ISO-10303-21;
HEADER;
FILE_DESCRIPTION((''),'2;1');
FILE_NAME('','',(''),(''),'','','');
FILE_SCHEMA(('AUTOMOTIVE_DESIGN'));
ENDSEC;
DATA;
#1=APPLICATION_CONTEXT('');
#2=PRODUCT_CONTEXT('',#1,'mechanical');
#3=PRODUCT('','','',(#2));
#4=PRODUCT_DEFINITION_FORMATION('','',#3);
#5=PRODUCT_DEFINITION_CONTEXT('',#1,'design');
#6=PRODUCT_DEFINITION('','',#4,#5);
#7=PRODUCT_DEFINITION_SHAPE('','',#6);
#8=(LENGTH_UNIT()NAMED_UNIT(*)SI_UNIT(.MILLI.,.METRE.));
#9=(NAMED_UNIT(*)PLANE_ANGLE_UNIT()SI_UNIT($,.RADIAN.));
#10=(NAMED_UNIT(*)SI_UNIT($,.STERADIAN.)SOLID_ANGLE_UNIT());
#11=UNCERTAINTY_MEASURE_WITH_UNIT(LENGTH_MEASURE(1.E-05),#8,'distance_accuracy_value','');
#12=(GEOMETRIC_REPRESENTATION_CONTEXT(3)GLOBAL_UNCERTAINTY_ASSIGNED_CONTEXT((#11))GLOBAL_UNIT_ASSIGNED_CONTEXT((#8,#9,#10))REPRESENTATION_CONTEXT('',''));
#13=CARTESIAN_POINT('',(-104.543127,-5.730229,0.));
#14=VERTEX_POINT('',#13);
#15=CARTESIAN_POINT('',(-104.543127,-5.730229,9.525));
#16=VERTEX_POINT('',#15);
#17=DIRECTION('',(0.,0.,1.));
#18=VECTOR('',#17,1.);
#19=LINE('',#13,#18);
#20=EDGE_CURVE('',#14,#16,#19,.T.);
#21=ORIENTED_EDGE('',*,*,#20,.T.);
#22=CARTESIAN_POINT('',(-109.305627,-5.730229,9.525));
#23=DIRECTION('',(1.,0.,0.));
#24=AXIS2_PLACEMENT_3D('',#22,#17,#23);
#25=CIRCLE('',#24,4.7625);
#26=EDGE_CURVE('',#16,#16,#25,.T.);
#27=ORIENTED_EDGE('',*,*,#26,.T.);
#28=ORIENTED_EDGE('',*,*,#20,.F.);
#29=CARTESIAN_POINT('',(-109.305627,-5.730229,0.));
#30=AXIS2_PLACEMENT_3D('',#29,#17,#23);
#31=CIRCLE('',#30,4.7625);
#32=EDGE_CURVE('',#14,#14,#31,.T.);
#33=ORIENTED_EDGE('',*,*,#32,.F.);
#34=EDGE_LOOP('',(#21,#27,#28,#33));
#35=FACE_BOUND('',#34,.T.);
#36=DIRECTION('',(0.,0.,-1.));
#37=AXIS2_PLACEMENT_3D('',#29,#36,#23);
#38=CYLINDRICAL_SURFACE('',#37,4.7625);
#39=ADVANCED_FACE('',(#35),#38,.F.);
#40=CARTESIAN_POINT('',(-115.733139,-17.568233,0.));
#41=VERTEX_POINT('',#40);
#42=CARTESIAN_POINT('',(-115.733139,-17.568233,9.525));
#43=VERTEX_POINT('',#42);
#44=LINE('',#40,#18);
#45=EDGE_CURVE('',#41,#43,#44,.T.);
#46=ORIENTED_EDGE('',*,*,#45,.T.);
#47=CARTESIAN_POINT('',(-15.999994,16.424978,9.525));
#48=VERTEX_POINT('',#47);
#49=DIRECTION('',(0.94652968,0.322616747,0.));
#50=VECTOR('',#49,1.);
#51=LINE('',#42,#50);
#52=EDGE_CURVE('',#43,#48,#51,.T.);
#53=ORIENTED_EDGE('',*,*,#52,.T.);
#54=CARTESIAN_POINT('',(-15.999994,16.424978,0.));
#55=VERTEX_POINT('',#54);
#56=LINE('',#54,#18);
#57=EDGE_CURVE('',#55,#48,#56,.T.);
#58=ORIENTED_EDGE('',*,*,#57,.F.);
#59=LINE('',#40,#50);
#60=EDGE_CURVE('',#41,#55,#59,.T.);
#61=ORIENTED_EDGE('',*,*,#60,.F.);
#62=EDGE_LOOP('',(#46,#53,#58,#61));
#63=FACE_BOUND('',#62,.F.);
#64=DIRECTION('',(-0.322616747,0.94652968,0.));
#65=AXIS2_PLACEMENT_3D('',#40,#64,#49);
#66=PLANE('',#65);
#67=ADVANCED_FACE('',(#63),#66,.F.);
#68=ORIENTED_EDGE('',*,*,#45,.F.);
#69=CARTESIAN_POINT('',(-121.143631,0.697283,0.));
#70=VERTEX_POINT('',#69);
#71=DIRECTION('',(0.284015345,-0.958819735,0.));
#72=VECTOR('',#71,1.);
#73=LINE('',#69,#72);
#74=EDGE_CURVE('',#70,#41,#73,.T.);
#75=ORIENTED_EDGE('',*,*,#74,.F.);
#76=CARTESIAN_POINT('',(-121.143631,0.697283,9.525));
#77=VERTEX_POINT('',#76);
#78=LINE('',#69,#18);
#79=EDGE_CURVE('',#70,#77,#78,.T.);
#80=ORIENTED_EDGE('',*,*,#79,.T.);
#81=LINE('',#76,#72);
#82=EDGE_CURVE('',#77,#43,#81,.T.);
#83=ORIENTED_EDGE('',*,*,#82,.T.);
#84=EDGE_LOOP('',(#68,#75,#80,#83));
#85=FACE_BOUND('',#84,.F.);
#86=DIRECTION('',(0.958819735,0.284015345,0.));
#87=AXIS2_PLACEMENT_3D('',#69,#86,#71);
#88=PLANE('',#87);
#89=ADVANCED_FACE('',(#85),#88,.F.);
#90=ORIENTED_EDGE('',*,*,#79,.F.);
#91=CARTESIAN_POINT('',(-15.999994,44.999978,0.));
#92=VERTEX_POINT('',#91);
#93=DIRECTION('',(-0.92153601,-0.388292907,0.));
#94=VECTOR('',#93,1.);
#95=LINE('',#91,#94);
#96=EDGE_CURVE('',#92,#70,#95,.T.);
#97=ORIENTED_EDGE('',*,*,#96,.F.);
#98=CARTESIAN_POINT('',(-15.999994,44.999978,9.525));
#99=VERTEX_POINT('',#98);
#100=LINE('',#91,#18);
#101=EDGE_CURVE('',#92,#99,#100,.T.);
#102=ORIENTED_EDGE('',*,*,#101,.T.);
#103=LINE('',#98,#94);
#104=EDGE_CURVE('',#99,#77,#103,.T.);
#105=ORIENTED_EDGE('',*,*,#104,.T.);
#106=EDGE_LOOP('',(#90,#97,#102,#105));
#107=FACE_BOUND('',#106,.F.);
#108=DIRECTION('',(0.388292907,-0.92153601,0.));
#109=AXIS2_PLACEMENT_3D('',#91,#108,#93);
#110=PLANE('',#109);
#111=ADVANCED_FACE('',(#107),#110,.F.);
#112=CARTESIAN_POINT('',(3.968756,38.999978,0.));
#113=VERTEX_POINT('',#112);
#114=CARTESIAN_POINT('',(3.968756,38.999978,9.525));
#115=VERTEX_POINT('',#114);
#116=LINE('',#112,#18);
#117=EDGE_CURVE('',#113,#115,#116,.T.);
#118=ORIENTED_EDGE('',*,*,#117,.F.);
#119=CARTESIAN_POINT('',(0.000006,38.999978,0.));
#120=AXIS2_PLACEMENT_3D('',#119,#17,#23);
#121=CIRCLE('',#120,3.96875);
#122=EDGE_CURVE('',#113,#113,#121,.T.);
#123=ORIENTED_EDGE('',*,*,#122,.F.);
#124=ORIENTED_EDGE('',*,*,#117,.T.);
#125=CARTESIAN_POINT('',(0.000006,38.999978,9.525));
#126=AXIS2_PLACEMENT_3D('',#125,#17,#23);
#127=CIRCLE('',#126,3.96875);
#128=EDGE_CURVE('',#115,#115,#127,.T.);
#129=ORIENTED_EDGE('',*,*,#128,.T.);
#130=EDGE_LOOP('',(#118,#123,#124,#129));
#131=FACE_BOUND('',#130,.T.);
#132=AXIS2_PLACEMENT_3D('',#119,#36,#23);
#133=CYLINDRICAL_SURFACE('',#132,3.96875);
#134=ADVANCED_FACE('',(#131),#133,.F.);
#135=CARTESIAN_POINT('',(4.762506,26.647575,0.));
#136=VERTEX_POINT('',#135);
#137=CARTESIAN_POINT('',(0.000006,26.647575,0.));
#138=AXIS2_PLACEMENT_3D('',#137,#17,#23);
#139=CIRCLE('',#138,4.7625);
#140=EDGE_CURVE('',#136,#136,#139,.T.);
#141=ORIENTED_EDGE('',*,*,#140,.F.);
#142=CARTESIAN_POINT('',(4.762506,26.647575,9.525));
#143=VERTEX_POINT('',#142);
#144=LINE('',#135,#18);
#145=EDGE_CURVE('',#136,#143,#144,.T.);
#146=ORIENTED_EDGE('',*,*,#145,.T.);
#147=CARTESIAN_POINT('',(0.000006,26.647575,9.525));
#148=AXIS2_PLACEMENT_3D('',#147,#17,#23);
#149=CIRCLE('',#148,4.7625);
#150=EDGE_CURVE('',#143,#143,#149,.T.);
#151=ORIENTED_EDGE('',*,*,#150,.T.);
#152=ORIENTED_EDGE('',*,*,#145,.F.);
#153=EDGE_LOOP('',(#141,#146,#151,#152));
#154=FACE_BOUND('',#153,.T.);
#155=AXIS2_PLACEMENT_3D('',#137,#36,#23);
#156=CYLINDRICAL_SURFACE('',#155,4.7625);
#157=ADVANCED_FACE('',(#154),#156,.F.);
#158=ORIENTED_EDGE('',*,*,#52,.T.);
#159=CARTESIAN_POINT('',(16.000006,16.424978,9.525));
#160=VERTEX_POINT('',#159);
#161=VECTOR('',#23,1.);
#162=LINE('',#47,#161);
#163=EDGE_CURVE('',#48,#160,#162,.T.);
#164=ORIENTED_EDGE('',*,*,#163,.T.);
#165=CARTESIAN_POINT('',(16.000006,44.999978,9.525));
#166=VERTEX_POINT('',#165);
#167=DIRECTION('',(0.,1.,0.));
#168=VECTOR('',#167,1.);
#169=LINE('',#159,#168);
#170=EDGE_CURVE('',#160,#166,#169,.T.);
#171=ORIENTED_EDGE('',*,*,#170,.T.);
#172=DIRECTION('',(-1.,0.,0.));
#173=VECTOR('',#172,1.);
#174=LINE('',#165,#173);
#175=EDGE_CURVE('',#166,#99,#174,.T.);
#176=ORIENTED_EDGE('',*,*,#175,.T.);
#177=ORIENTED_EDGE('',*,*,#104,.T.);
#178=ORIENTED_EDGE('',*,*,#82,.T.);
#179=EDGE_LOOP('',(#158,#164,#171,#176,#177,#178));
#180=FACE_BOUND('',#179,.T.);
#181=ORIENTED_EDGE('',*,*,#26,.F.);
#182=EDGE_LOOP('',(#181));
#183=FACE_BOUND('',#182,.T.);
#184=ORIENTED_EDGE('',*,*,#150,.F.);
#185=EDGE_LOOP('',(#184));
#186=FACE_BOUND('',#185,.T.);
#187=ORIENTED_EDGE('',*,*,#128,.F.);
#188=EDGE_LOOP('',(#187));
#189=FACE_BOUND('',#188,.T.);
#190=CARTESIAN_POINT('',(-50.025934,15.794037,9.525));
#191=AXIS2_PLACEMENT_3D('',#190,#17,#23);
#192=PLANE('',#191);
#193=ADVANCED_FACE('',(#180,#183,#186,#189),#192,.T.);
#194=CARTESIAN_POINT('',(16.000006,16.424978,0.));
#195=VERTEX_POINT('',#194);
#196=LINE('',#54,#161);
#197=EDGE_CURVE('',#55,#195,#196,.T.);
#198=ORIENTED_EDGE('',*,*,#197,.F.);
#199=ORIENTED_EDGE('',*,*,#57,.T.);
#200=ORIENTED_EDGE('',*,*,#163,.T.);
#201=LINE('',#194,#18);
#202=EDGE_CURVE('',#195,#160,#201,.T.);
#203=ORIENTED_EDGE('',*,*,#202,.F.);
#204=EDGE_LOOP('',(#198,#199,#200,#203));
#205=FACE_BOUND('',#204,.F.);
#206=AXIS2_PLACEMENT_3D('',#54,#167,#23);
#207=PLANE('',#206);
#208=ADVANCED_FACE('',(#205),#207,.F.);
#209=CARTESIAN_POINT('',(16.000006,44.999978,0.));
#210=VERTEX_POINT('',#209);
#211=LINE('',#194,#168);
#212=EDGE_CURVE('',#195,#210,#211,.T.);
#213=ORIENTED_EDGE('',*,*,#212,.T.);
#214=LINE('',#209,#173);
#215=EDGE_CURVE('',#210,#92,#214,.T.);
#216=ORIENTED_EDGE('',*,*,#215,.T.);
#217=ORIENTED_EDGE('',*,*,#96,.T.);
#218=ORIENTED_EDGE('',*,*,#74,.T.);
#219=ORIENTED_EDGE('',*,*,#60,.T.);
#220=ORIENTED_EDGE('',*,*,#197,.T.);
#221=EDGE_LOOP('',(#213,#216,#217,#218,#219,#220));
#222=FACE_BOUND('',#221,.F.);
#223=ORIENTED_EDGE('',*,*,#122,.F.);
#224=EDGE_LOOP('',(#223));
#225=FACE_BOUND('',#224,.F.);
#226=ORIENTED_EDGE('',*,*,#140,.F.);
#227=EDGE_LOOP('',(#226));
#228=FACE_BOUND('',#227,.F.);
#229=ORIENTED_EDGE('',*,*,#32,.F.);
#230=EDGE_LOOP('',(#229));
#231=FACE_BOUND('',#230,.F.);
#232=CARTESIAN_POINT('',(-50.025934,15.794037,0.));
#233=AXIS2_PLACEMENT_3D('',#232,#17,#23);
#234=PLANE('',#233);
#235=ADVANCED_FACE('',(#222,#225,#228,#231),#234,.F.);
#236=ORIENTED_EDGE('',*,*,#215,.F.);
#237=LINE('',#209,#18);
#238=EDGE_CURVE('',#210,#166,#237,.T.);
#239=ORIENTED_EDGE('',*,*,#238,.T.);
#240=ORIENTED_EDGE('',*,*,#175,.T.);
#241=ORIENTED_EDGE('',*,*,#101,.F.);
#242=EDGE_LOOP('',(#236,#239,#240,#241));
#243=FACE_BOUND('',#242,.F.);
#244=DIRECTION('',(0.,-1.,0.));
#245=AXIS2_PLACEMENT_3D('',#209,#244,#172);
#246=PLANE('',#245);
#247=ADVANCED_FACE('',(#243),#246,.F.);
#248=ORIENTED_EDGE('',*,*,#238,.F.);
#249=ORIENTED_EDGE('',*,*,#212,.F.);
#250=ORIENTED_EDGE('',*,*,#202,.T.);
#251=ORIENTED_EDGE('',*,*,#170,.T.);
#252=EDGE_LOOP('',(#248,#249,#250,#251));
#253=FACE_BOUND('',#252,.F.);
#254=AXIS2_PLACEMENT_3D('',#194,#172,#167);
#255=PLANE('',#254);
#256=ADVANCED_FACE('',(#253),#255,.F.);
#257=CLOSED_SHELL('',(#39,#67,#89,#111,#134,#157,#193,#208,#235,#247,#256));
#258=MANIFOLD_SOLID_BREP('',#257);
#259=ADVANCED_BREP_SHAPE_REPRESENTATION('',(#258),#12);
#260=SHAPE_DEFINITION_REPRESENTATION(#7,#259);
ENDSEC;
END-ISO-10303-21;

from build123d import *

# Parameters (mm, degrees)
SKETCH1_R           = 3.96875
SKETCH1_R_2         = 4.762500002
BOSS_EXTRUDE1_DEPTH = 9.525


with BuildPart() as part:
    # Sketch1 → Boss-Extrude1 (new body)
    with BuildSketch(Plane.XY):
        Polygon((-15.999993773, 44.99997758), (-121.1436315, 0.697282679), (-115.733139184, -17.56823327), (-15.999993773, 16.42497758), (16.000006227, 16.42497758), (16.000006227, 44.99997758), align=None)
        with Locations((6.227e-06, 38.99997758)):
            Circle(SKETCH1_R, mode=Mode.SUBTRACT)
        with Locations((6.239e-06, 26.647574613)):
            Circle(SKETCH1_R_2, mode=Mode.SUBTRACT)
        with Locations((-109.305627368, -5.730229137)):
            Circle(SKETCH1_R_2, mode=Mode.SUBTRACT)
    extrude(amount=BOSS_EXTRUDE1_DEPTH)


solid = part.part
